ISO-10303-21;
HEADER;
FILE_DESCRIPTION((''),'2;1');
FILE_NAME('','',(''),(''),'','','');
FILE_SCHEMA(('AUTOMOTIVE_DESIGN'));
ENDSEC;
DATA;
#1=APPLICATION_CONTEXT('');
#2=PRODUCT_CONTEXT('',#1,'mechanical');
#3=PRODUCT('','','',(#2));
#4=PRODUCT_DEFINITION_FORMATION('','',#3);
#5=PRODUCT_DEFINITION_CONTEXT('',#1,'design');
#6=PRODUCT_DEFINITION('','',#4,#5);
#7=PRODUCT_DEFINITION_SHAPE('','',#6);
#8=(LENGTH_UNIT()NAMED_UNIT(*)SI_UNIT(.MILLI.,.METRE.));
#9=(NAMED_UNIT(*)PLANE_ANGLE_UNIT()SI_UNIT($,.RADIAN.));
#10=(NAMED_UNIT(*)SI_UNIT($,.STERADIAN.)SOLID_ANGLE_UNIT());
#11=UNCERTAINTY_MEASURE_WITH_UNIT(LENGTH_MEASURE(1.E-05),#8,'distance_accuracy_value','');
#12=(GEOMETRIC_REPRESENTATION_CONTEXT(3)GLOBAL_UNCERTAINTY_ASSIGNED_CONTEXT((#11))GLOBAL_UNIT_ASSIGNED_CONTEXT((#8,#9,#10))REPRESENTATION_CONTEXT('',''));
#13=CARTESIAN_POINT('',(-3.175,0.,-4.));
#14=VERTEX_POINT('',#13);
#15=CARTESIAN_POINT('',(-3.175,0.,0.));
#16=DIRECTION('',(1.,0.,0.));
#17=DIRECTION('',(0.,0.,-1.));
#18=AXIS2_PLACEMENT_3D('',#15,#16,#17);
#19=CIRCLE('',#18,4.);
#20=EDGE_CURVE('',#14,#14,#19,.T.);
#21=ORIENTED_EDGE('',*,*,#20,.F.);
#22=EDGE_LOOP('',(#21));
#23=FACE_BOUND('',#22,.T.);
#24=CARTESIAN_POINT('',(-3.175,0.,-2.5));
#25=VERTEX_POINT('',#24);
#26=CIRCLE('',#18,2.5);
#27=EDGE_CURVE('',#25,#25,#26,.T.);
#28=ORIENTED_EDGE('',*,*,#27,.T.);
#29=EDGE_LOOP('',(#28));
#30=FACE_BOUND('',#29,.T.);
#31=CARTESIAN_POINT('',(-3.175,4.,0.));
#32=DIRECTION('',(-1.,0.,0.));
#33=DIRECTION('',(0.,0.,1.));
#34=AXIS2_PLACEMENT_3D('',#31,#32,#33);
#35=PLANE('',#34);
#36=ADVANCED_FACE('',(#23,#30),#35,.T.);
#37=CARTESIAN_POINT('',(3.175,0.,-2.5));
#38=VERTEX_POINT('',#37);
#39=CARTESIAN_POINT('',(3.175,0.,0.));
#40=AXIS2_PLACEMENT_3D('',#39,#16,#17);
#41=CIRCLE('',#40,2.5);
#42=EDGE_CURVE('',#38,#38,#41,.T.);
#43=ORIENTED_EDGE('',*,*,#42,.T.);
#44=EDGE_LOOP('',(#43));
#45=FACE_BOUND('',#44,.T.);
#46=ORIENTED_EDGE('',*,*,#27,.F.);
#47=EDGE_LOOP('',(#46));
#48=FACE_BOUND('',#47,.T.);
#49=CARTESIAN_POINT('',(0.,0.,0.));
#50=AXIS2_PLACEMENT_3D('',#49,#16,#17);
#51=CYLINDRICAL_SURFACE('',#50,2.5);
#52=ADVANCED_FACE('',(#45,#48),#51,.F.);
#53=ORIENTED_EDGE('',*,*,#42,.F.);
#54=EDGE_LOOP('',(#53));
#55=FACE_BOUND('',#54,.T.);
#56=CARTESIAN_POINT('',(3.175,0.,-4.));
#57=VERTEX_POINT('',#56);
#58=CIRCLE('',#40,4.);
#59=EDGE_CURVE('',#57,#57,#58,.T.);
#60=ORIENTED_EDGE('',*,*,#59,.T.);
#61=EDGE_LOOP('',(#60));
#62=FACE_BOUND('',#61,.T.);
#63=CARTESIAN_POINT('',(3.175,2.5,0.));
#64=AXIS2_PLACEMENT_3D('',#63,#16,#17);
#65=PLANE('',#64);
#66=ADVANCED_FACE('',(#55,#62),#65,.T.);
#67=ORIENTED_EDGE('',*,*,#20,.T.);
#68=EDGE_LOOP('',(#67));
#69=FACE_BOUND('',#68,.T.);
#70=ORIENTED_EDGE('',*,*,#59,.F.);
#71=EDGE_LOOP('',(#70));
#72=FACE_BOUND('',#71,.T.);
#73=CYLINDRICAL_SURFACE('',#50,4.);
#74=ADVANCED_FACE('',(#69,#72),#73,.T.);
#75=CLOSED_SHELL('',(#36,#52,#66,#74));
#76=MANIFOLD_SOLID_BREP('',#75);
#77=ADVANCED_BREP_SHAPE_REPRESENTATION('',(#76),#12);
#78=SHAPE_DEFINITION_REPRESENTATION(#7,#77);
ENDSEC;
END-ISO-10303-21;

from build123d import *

# Parameters (mm, degrees)
SKETCH1_W = 6.35
SKETCH1_H = 1.5


with BuildPart() as part:
    # Sketch1 → Revolve1 (revolve)
    with BuildSketch(Plane.XY):
        with Locations((0, 3.25)):
            Rectangle(SKETCH1_W, SKETCH1_H)
    revolve(axis=Axis((0, 0, 0), (-1, 0, 0)))


solid = part.part
